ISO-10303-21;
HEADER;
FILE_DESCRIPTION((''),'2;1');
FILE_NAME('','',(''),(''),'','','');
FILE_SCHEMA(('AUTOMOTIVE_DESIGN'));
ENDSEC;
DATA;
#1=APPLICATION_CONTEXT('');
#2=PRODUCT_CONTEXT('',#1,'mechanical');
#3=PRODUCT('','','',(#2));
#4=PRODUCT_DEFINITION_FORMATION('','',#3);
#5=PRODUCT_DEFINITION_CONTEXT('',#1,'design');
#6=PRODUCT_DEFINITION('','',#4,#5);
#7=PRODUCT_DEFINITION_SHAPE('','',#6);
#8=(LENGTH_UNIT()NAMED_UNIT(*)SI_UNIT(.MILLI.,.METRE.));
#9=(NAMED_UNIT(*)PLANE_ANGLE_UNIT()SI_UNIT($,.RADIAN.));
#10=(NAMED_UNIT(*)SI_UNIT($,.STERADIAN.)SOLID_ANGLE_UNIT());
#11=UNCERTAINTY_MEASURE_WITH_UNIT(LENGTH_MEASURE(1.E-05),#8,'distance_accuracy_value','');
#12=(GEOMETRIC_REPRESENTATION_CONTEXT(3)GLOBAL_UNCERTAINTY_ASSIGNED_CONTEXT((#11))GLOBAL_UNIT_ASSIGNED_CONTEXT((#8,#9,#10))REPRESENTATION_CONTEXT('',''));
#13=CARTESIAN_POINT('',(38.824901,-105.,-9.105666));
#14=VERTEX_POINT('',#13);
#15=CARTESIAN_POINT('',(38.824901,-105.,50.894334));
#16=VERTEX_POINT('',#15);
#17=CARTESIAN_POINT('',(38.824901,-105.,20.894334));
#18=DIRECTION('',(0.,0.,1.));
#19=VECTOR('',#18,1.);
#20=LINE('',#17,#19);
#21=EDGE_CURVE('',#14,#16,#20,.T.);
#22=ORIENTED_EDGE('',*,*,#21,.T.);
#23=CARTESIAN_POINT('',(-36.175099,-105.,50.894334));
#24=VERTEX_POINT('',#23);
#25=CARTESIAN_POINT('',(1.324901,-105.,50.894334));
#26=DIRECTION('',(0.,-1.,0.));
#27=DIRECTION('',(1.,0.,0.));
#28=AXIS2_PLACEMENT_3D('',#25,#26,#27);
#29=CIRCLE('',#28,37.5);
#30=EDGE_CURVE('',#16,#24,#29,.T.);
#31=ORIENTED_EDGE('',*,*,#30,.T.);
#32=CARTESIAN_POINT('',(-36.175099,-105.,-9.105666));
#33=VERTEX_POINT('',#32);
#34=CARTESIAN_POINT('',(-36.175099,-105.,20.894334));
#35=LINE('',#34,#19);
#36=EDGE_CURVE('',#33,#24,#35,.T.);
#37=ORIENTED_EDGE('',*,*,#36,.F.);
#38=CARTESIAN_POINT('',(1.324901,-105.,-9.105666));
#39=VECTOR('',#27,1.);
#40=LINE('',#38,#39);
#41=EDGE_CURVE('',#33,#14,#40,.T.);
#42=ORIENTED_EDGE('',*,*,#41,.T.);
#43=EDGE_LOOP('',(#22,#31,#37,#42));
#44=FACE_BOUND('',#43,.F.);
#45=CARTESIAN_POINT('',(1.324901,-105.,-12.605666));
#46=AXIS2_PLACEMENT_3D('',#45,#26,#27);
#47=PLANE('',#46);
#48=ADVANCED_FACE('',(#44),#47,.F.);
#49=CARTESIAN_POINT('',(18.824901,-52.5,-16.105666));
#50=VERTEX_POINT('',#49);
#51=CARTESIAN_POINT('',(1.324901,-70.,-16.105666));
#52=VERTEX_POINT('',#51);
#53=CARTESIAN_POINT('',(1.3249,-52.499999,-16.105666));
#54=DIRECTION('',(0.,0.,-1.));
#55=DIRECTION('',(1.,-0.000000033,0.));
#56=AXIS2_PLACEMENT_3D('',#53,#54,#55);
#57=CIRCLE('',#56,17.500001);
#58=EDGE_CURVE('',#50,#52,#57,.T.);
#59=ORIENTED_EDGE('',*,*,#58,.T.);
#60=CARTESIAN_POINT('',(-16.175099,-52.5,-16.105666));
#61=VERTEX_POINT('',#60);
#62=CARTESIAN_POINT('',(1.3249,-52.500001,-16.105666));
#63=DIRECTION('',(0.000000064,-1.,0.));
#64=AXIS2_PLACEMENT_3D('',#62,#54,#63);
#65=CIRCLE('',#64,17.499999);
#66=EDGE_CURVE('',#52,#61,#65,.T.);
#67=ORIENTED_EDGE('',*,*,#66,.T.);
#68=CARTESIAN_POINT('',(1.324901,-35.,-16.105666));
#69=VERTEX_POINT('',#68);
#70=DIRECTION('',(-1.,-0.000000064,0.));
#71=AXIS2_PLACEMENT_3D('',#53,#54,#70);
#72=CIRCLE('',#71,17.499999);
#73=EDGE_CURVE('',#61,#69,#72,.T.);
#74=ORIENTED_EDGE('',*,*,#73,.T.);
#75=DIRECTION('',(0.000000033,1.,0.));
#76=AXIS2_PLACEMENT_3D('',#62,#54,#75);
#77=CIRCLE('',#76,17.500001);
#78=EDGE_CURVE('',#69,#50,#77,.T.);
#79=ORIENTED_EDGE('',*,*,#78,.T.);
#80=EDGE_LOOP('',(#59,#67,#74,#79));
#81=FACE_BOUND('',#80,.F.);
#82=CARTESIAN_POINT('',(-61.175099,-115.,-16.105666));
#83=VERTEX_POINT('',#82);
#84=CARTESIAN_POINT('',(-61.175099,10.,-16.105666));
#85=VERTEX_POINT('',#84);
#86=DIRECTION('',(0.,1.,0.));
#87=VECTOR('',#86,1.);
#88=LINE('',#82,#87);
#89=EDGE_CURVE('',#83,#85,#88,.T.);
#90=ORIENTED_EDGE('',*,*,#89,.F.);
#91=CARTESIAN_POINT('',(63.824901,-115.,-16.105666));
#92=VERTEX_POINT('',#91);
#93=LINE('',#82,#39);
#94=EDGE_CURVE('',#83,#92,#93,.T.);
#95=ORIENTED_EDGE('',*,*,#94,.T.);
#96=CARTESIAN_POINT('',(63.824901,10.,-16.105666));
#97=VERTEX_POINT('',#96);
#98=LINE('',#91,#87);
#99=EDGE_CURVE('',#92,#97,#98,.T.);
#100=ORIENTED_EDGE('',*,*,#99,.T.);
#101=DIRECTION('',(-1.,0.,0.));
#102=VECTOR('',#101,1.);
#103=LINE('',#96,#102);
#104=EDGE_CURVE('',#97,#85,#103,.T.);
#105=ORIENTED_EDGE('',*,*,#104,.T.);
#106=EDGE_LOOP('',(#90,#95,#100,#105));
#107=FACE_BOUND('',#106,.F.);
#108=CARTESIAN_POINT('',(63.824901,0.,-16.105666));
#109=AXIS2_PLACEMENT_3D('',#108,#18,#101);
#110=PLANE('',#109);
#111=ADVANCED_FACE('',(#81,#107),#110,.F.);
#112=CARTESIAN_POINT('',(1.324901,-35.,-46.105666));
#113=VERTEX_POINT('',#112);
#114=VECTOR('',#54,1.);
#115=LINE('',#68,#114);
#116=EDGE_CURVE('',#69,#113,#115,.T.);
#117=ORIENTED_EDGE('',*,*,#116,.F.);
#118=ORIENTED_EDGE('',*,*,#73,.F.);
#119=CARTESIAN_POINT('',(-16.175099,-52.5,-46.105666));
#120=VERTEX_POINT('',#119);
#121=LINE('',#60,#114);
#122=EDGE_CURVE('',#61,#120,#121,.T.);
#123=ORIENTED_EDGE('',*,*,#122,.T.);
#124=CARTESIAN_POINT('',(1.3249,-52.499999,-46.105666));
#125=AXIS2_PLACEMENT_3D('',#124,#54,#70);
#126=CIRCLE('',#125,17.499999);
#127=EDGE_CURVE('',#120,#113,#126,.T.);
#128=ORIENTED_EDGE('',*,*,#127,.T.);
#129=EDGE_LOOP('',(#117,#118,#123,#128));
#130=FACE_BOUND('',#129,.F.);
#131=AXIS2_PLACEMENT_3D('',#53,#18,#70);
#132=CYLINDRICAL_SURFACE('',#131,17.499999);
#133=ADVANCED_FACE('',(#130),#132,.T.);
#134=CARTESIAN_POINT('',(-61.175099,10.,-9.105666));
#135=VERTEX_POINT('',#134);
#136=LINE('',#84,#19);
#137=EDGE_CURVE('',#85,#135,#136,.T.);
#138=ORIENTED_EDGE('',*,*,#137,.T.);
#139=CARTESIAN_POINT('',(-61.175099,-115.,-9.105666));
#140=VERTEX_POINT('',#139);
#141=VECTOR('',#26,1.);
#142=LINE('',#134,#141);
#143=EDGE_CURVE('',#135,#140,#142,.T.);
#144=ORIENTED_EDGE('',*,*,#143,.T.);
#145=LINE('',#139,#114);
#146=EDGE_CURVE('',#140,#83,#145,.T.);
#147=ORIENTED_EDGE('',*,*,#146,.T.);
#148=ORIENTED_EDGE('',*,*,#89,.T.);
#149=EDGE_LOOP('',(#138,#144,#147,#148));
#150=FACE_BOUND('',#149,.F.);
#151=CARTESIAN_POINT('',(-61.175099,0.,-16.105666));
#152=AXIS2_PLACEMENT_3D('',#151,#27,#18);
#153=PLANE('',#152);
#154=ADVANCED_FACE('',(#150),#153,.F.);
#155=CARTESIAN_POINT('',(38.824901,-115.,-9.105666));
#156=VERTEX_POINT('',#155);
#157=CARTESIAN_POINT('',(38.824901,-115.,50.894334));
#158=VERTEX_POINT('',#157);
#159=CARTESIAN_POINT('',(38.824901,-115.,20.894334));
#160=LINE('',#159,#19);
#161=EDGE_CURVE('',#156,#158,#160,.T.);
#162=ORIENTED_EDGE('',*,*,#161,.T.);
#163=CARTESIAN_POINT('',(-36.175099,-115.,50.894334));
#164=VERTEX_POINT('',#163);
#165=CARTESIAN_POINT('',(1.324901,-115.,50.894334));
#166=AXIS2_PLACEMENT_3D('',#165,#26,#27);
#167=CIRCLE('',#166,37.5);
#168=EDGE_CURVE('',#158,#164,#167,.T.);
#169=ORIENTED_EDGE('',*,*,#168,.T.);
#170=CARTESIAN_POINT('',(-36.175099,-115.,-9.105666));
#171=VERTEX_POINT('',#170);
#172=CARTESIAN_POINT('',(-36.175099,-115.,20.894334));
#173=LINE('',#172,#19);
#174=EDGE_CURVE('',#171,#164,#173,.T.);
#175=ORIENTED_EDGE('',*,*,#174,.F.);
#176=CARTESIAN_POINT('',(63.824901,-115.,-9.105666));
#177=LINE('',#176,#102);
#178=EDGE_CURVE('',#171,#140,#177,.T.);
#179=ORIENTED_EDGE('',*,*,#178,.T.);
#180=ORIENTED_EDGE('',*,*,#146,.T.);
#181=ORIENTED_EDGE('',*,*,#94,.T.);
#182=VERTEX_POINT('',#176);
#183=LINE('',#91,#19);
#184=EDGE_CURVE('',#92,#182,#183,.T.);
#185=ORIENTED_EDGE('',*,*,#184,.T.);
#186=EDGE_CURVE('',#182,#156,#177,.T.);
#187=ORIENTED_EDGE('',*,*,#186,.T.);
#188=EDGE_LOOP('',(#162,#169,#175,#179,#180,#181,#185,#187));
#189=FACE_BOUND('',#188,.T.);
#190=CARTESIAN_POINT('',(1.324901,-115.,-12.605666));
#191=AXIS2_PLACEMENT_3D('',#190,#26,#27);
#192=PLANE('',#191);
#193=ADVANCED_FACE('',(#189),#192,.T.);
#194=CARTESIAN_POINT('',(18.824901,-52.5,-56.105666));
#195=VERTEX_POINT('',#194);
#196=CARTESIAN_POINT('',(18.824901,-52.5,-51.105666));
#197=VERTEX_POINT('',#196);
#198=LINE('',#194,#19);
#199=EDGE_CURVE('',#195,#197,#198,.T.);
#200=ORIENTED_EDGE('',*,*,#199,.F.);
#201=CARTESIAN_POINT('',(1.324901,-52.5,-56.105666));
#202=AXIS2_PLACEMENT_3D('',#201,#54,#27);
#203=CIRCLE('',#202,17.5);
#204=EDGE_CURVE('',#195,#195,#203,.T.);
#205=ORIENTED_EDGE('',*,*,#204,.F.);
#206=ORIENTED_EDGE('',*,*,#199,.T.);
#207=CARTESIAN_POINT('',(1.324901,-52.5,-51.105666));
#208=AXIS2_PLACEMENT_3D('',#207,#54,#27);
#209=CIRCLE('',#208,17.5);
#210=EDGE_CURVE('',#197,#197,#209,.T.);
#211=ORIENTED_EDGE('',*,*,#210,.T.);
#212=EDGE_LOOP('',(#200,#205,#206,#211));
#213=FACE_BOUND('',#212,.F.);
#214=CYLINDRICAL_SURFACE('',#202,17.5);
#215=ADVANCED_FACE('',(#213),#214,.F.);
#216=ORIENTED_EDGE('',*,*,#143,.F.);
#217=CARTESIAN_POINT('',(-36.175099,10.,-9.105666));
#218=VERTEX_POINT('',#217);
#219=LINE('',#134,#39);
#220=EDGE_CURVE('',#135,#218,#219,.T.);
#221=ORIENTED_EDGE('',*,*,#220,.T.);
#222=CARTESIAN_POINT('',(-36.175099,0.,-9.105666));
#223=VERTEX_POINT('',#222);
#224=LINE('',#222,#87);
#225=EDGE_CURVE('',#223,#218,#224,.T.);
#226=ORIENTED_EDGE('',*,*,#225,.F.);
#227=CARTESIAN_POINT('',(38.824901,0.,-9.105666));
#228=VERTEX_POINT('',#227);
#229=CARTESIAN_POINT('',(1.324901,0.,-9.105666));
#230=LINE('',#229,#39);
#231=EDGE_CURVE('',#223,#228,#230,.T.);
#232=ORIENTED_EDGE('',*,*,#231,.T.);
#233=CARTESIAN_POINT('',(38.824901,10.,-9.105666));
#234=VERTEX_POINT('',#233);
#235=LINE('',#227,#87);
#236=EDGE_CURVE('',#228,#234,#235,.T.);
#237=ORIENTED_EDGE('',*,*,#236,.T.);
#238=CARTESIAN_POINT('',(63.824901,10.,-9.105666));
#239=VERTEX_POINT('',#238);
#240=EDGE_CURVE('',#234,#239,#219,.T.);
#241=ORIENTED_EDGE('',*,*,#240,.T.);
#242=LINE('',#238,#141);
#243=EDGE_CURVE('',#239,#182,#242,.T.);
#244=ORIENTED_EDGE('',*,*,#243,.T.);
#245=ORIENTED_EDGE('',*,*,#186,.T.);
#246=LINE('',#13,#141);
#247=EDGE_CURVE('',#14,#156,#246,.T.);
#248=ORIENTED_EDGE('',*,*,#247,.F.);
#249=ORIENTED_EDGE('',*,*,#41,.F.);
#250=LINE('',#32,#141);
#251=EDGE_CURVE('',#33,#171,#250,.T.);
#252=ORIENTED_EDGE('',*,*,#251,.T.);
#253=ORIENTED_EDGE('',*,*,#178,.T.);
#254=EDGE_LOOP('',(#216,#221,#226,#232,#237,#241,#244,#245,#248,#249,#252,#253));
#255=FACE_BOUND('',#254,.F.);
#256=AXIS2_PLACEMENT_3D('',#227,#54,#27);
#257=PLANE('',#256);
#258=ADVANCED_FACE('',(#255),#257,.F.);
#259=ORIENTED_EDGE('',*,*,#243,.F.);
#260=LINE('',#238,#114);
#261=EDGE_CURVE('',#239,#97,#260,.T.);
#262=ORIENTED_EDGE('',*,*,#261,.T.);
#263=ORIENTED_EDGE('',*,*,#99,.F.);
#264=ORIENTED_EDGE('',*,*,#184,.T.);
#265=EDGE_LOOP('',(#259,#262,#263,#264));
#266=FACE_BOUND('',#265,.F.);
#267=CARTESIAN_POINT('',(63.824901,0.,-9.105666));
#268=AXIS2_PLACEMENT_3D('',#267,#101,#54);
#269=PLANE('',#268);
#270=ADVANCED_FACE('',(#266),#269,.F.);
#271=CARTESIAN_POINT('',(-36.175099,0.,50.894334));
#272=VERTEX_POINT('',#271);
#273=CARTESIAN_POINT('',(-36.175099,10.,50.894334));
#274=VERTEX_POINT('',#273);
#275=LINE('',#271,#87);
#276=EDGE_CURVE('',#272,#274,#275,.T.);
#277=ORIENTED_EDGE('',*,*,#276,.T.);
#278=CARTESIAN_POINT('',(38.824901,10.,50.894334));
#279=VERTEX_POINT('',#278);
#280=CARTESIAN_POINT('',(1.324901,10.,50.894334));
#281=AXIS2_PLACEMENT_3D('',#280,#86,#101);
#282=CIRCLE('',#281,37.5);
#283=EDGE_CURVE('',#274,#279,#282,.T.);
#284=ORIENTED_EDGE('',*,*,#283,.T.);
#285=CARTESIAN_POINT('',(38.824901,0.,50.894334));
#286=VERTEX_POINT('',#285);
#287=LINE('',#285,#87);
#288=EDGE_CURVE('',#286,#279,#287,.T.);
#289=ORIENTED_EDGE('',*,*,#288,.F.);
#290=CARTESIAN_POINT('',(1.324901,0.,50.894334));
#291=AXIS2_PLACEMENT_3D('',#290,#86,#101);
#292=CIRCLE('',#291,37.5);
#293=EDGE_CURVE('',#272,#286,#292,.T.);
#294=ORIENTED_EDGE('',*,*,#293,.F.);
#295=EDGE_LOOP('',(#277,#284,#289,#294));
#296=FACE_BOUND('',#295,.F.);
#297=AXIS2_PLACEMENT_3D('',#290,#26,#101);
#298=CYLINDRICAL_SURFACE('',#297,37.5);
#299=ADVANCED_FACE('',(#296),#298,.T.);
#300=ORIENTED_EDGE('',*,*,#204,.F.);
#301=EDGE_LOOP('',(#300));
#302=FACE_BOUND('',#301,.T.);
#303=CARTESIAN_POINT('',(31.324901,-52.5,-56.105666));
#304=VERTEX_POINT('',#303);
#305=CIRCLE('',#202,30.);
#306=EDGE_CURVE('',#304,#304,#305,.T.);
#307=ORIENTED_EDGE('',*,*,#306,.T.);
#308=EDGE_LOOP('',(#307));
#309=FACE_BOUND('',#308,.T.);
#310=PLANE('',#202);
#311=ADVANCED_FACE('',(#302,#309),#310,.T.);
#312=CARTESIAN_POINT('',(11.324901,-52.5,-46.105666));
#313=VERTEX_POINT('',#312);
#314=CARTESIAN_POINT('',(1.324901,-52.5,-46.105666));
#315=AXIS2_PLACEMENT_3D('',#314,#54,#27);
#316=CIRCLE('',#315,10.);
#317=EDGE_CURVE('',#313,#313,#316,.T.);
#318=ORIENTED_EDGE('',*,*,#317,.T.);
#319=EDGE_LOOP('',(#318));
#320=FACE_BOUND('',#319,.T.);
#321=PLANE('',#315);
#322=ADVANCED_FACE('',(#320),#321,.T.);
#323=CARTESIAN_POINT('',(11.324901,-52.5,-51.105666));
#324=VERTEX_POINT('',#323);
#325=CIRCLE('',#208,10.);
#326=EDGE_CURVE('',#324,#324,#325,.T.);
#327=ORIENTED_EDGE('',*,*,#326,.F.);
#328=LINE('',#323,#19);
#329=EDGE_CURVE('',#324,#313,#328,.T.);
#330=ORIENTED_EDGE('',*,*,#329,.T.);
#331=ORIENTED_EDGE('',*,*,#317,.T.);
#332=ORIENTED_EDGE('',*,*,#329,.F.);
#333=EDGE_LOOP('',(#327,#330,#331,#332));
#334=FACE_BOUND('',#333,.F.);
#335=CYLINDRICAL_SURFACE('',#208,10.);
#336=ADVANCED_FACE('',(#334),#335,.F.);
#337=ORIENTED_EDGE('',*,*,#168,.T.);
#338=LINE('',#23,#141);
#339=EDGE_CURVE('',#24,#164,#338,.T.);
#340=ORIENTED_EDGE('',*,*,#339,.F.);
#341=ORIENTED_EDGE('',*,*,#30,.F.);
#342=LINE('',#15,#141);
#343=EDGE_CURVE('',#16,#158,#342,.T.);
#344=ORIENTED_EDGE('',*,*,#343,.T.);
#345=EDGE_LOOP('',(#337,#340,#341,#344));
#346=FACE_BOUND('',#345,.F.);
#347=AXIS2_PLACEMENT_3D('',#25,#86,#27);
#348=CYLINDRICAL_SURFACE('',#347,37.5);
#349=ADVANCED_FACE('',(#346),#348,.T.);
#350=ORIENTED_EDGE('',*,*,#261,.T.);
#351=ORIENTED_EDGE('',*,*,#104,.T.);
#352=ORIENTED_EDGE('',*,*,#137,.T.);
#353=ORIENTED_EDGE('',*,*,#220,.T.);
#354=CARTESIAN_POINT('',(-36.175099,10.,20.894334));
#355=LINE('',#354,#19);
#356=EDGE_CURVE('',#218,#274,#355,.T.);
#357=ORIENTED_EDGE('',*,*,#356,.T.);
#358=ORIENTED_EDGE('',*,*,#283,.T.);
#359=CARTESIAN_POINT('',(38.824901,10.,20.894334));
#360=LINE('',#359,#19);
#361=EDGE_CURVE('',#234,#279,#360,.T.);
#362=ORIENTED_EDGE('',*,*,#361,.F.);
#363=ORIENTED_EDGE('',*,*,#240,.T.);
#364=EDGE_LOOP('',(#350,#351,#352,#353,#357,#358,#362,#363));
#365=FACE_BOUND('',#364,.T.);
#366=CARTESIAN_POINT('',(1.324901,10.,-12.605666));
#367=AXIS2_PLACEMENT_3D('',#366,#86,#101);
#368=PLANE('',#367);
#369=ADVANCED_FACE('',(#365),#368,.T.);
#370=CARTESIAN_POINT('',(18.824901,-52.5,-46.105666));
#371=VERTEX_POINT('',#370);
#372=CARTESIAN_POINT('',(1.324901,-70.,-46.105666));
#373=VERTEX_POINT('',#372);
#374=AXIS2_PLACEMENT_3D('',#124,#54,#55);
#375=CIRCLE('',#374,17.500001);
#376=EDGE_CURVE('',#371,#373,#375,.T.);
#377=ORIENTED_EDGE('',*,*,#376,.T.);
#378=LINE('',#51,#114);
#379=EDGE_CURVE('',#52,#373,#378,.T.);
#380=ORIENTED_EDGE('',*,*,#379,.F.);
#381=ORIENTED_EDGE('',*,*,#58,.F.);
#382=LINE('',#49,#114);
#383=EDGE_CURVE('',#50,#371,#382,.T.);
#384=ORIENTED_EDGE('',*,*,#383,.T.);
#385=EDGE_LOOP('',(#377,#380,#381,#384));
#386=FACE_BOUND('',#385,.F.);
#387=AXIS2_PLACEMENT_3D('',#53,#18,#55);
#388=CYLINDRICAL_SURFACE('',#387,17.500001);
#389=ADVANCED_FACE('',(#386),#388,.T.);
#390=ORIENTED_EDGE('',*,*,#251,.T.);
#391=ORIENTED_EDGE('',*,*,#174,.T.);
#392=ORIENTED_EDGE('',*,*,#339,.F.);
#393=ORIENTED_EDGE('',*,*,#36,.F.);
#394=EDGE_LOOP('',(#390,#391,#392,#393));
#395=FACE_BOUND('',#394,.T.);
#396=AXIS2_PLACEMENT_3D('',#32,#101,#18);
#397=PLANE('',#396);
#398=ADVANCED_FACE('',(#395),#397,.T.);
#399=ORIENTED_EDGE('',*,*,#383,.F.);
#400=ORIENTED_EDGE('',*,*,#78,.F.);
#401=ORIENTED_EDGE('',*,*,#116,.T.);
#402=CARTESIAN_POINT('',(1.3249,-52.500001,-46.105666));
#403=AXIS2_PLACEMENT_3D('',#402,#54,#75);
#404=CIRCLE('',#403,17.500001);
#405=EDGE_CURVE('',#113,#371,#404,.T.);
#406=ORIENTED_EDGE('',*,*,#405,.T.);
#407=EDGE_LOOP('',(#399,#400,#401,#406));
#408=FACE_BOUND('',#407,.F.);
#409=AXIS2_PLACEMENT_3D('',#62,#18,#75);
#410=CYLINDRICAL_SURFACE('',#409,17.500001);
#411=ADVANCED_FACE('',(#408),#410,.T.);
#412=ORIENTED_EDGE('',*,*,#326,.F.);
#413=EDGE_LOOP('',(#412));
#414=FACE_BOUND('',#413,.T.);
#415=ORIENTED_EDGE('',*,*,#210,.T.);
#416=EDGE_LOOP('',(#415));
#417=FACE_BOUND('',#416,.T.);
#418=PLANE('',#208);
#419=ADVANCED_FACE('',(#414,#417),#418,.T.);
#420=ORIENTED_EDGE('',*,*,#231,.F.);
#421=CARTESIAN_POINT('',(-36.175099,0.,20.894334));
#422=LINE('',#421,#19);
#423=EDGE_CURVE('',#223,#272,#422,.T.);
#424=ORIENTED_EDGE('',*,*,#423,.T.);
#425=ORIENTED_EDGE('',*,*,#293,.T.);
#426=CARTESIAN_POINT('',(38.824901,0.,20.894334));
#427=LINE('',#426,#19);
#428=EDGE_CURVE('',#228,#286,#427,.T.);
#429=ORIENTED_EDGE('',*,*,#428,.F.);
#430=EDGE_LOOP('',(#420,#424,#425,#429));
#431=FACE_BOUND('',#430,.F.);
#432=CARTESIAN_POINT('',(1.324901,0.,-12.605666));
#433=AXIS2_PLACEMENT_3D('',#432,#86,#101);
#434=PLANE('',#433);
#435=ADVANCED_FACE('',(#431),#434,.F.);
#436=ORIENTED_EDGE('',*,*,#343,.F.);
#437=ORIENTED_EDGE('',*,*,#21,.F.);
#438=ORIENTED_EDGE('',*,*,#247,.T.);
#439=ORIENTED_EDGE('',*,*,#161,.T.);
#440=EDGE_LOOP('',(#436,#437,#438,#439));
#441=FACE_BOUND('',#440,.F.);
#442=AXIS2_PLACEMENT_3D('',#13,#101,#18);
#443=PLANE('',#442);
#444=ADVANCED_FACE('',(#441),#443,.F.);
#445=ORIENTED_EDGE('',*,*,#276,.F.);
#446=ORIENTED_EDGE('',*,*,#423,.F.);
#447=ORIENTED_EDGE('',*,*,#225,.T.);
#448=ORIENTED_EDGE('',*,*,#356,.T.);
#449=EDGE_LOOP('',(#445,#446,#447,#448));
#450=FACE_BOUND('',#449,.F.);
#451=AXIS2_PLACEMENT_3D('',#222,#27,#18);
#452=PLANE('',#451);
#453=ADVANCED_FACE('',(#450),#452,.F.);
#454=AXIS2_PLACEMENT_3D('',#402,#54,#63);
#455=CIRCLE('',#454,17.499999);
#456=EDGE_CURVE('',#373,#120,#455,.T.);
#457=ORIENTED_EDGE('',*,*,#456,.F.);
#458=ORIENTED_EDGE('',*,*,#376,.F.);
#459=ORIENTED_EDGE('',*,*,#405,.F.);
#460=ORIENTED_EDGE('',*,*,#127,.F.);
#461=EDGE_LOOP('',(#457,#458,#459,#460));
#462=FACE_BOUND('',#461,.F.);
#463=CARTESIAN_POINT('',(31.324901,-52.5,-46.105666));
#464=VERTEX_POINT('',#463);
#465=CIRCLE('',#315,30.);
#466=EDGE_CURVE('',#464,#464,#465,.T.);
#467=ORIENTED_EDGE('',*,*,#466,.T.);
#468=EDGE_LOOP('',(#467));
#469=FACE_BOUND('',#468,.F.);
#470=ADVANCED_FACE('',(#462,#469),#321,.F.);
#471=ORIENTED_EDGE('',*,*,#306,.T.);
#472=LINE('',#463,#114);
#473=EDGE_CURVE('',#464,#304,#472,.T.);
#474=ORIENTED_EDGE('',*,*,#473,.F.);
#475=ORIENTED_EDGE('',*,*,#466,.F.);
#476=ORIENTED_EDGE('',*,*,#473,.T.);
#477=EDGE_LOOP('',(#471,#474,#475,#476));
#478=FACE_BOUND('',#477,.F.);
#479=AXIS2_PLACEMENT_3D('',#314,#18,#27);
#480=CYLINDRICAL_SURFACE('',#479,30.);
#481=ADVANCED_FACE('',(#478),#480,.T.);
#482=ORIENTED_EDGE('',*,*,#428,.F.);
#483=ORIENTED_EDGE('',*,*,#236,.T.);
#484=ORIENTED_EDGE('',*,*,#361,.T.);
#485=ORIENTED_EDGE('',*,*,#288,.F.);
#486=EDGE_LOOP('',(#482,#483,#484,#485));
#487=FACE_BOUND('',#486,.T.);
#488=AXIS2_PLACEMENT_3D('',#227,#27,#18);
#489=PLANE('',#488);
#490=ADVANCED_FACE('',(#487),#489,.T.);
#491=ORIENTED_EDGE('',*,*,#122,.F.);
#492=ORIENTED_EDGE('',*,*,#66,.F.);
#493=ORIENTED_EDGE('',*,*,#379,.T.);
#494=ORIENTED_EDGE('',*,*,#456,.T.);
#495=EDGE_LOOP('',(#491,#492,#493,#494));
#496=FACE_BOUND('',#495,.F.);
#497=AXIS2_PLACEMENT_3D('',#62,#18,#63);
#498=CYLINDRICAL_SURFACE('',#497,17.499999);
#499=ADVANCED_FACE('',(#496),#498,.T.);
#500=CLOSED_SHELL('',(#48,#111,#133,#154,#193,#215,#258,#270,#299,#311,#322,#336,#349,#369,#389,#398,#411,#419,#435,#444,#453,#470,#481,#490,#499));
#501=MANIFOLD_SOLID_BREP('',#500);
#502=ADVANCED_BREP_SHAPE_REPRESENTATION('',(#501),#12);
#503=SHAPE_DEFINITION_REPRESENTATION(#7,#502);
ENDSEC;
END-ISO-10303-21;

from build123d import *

# Parameters (mm, degrees)
F0_W      = 125
F0_H      = 7
F1_DEPTH  = 105
F2_W      = 75
F2_H      = 60
F3_DEPTH  = 10
F4_W      = 75
F4_H      = 60
F5_DEPTH  = 10
F7_DEPTH  = 30
F8_R      = 30
F9_DEPTH  = 10
F10_R     = 17.5
F11_DEPTH = 5
F12_R     = 10
F13_DEPTH = 5


with BuildPart() as f1:
    # F0 (on Front) → F1 (new body)
    with BuildSketch(Plane.XZ):
        with Locations((1.324901, -12.605666)):
            Rectangle(F0_W, F0_H)
    extrude(amount=F1_DEPTH)

    # F2 (on face) → F3 (join)
    with BuildSketch(Plane.XZ.offset(105)):
        Polygon((-61.175099, -9.105666), (-61.175099, -16.105666), (63.824901, -16.105666), (63.824901, -9.105666), (38.824901, -9.105666), (-36.175099, -9.105666), align=None)
        with Locations((1.324901, 20.894334)):
            Rectangle(F2_W, F2_H)
        with BuildLine():
            ThreePointArc((38.824901, 50.894334), (1.324901, 88.394334), (-36.175099, 50.894334))
            Line((-36.175099, 50.894334), (38.824901, 50.894334))
        make_face()
    extrude(amount=F3_DEPTH)

    # F4 (on face) → F5 (join)
    with BuildSketch(Plane(origin=(0, 0, 0), x_dir=(-1, 0, 0), z_dir=(0, 1, 0))):
        Polygon((-63.824901, -9.105666), (-63.824901, -16.105666), (61.175099, -16.105666), (61.175099, -9.105666), (36.175099, -9.105666), (-38.824901, -9.105666), align=None)
        with Locations((-1.324901, 20.894334)):
            Rectangle(F4_W, F4_H)
        with BuildLine():
            ThreePointArc((36.175099, 50.894334), (-1.324901, 88.394334), (-38.824901, 50.894334))
            Line((-38.824901, 50.894334), (36.175099, 50.894334))
        make_face()
    extrude(amount=F5_DEPTH)

    # F6 (on face) → F7 (join)
    with BuildSketch(Plane(origin=(0, 0, -16.105666), x_dir=(1, 0, 0), z_dir=(0, 0, -1))):
        with BuildLine():
            ThreePointArc((18.824901, 52.5), (13.699269, 64.874369), (1.324901, 70))
            Line((1.324901, 70), (1.324901, 52.5))
            Line((1.324901, 52.5), (18.824901, 52.5))
        make_face()
        with BuildLine():
            Line((1.324901, 52.5), (1.324901, 70))
            ThreePointArc((1.324901, 70), (-11.049468, 64.874369), (-16.175099, 52.5))
            Line((-16.175099, 52.5), (1.324901, 52.5))
        make_face()
        with BuildLine():
            Line((18.824901, 52.5), (1.324901, 52.5))
            Line((1.324901, 52.5), (1.324901, 35))
            ThreePointArc((1.324901, 35), (13.699269, 40.125631), (18.824901, 52.5))
        make_face()
        with BuildLine():
            Line((1.324901, 35), (1.324901, 52.5))
            Line((1.324901, 52.5), (-16.175099, 52.5))
            ThreePointArc((-16.175099, 52.5), (-11.049468, 40.125631), (1.324901, 35))
        make_face()
    extrude(amount=F7_DEPTH)

    # F8 (on face) → F9 (join)
    with BuildSketch(Plane(origin=(0, 0, -46.105666), x_dir=(1, 0, 0), z_dir=(0, 0, -1))):
        with Locations((1.324901, 52.5)):
            Circle(F8_R)
    extrude(amount=F9_DEPTH)

    # F10 (on face) → F11 (cut)
    with BuildSketch(Plane(origin=(0, 0, -56.105666), x_dir=(1, 0, 0), z_dir=(0, 0, -1))):
        with Locations((1.324901, 52.5)):
            Circle(F10_R)
    extrude(amount=-F11_DEPTH, mode=Mode.SUBTRACT)

    # F12 (on face) → F13 (cut)
    with BuildSketch(Plane(origin=(0, 0, -51.105666), x_dir=(1, 0, 0), z_dir=(0, 0, -1))):
        with Locations((1.324901, 52.5)):
            Circle(F12_R)
    extrude(amount=-F13_DEPTH, mode=Mode.SUBTRACT)


solid = f1.part
